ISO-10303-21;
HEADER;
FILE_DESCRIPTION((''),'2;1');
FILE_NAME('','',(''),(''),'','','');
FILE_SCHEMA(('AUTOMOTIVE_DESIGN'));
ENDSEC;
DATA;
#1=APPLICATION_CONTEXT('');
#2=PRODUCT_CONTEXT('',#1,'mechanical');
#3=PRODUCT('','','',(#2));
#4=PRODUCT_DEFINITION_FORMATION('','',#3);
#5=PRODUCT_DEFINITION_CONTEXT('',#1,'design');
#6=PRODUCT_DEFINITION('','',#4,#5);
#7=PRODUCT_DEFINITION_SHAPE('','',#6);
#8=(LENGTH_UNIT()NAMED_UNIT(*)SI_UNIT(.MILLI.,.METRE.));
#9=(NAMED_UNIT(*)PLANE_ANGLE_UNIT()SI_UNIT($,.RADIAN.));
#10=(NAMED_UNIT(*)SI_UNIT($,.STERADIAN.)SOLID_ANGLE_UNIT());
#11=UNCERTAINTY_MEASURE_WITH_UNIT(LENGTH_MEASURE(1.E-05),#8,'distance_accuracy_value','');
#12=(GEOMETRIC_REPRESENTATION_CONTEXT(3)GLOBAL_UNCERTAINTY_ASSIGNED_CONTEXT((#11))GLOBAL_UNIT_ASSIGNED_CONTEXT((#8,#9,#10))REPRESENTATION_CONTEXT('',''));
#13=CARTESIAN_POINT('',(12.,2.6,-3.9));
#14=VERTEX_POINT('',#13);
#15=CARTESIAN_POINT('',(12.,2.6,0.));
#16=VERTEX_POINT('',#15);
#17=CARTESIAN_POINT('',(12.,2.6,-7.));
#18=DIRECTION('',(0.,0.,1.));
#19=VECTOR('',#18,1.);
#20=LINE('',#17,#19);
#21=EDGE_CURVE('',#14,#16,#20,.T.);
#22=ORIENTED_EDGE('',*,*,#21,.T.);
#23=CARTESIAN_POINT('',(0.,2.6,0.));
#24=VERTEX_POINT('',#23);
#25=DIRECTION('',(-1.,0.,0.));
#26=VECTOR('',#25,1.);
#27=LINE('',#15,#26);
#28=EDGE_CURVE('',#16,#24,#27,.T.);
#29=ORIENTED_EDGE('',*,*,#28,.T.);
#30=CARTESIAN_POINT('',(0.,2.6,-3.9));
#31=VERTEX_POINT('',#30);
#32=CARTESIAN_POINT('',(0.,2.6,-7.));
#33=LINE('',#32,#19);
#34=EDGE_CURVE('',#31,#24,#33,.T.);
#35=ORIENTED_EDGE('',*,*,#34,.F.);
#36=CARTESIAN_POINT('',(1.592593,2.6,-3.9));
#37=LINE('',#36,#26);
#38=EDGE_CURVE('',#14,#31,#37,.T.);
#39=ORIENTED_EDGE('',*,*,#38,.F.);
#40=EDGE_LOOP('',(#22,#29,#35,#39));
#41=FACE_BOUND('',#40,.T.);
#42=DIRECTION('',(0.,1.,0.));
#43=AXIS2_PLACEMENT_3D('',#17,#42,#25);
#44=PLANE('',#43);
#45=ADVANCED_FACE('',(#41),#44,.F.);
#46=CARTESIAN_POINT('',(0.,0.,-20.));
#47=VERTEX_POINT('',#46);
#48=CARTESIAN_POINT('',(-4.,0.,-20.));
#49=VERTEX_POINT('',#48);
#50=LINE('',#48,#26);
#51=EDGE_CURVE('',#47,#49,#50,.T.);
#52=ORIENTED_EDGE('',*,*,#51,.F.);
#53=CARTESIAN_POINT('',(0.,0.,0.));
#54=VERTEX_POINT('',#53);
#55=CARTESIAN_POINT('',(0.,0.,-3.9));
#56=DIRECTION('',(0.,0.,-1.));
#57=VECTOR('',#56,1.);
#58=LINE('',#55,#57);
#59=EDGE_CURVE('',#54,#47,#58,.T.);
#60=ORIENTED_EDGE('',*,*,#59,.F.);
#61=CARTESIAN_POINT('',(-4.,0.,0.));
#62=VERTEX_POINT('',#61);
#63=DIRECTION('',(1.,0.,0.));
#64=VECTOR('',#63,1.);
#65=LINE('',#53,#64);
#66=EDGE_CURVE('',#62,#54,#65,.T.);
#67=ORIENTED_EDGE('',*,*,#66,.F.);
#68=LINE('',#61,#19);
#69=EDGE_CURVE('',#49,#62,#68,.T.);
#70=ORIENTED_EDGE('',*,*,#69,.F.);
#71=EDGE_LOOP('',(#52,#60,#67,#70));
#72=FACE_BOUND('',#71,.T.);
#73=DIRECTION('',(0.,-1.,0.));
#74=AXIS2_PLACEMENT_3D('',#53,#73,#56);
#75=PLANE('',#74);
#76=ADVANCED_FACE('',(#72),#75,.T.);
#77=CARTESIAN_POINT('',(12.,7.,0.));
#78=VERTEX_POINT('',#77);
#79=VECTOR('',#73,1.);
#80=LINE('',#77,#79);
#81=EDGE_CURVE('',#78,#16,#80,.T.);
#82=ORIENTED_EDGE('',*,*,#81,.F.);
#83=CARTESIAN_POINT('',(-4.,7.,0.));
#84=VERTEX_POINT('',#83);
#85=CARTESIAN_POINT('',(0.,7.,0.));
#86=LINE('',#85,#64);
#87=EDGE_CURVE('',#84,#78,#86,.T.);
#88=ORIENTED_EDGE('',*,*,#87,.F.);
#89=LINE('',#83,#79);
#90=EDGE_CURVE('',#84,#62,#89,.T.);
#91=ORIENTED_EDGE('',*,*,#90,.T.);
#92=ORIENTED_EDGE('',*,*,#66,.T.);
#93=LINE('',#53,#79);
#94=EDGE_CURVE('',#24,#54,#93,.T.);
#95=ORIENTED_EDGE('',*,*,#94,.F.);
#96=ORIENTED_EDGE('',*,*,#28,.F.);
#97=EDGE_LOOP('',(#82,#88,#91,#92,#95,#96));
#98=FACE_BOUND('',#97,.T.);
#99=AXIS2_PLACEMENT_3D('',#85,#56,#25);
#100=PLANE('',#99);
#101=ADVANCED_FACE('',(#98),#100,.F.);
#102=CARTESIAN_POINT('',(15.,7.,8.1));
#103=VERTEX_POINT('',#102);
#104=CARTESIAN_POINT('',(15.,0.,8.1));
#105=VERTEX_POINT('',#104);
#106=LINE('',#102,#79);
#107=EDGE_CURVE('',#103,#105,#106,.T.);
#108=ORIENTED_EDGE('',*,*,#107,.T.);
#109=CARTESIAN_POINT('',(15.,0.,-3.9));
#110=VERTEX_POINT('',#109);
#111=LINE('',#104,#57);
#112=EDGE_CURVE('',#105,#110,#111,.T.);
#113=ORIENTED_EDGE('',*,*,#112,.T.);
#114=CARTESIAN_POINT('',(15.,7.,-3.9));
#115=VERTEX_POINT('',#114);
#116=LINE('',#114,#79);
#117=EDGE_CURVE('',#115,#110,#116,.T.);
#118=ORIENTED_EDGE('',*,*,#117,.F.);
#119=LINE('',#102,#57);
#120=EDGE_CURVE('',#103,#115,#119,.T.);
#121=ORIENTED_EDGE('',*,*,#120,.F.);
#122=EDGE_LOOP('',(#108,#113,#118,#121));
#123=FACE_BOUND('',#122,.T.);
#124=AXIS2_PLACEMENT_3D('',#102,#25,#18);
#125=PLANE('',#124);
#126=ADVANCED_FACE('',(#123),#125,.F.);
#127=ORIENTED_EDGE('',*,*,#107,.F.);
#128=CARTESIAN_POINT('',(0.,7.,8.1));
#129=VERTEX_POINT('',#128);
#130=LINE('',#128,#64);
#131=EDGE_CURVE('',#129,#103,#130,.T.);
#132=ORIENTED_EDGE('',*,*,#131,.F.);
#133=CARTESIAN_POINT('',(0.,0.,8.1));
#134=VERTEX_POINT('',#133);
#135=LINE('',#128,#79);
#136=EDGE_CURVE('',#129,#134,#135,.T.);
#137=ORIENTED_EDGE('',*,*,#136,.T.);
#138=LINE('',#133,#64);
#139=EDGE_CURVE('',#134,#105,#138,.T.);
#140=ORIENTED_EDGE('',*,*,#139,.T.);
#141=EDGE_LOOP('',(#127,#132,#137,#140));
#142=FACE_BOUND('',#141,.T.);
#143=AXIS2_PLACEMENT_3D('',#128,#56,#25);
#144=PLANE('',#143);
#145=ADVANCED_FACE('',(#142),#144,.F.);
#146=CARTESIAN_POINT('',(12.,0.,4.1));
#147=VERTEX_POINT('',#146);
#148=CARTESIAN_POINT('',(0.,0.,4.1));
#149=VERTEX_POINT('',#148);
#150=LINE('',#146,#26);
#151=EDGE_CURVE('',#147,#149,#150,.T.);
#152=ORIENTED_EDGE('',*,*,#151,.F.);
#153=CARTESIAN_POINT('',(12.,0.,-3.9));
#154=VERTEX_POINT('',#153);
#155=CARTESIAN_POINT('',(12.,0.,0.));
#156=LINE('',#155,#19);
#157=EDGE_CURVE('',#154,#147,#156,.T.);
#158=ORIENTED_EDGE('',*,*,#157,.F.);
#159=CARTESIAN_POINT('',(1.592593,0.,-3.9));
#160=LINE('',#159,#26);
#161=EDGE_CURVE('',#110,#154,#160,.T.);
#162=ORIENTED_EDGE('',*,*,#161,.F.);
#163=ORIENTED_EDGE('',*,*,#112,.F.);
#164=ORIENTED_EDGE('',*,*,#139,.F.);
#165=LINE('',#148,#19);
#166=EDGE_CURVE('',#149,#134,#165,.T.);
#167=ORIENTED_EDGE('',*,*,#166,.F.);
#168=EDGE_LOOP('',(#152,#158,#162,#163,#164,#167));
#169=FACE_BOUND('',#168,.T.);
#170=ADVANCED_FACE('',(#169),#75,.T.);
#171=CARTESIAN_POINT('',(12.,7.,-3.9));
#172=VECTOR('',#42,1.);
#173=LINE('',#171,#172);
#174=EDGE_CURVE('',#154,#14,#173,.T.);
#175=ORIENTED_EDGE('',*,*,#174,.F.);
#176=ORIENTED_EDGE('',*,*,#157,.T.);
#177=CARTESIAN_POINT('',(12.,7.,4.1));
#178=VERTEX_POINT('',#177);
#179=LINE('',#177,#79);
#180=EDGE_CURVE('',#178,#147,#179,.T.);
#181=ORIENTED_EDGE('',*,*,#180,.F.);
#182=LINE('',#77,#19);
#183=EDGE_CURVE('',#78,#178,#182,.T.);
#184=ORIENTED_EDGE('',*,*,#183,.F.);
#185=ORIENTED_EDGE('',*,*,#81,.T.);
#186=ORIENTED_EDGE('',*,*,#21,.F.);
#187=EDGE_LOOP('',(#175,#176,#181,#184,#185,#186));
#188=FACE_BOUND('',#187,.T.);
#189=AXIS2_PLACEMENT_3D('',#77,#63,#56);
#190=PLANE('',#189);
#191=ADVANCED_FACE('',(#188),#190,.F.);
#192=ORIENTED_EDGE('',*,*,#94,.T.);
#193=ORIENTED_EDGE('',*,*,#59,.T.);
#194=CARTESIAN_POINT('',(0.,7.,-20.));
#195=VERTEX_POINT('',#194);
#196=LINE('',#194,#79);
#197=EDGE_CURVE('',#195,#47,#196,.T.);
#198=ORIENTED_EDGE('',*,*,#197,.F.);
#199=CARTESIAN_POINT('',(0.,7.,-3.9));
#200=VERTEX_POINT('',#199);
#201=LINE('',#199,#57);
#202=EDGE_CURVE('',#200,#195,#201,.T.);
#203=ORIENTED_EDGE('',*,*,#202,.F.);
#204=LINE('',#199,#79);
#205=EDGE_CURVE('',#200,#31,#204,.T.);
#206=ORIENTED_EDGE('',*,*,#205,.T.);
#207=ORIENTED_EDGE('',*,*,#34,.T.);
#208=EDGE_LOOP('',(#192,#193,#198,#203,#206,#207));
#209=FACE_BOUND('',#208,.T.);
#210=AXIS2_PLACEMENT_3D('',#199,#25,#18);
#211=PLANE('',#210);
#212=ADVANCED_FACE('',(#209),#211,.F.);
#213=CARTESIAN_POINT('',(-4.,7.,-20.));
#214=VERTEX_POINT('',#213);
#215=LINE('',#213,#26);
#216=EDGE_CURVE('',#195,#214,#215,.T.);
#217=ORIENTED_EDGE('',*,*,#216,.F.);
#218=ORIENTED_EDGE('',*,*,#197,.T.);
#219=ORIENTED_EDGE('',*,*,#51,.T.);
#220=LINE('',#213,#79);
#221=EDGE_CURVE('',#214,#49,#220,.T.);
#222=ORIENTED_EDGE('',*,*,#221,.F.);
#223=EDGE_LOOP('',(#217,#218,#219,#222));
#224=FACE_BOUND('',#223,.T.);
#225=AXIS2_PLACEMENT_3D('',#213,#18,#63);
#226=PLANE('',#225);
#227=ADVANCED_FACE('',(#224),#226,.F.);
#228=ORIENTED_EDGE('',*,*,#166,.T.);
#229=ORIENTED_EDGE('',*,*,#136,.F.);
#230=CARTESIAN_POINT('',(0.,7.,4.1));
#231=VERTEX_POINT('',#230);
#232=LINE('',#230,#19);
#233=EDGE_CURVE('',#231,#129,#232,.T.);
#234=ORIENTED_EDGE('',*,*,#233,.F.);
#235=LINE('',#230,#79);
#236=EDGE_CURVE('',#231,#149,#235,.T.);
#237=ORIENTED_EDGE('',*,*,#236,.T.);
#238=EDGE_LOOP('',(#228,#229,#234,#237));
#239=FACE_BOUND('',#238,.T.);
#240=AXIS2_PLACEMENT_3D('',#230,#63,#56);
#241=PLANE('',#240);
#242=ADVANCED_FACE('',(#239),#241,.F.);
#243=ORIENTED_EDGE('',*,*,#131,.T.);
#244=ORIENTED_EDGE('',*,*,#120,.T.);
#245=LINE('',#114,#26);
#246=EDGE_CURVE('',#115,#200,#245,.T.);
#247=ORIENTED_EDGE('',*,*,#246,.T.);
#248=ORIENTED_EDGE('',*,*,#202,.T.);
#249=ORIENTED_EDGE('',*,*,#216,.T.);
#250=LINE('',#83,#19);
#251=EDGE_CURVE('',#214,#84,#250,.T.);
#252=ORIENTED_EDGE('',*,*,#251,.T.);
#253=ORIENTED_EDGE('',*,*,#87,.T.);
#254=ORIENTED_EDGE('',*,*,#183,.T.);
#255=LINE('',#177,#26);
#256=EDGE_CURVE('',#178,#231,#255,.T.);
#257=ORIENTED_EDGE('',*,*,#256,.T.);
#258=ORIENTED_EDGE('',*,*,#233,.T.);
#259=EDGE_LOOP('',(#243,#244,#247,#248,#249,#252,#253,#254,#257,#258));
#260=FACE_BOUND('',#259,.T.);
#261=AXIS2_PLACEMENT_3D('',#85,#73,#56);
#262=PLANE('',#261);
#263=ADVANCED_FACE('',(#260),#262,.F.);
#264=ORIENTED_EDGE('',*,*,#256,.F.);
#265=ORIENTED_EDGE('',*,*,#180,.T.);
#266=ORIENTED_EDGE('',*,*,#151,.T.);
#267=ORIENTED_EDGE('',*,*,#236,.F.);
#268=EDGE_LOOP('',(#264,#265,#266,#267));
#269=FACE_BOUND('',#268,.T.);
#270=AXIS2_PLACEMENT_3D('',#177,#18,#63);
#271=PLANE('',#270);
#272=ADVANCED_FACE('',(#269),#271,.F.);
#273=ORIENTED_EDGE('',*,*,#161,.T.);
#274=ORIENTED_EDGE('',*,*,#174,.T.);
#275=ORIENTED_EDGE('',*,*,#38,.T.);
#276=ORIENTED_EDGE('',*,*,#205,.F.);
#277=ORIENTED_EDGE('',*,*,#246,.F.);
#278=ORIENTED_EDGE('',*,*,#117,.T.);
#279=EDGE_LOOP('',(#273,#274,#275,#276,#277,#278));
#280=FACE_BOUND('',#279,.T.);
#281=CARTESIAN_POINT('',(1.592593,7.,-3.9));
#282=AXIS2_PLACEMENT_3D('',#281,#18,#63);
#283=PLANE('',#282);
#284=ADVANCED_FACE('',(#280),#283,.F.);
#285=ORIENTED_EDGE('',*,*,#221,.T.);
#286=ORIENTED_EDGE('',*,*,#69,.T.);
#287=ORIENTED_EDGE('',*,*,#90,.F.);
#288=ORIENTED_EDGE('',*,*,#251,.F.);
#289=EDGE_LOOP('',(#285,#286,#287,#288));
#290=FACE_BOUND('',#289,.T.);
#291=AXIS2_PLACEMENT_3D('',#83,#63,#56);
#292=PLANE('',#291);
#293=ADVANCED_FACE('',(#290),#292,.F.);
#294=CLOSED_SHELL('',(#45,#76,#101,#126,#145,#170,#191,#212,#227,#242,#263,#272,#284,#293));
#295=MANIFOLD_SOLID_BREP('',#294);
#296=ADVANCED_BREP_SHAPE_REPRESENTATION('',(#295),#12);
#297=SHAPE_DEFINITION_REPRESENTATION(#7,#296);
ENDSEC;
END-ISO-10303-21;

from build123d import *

# Parameters (mm, degrees)
BOSS_EXTRUDE1_DEPTH = 7
SKETCH2_W           = 12
SKETCH2_H           = 2.6
CUT_EXTRUDE1_DEPTH  = 7


with BuildPart() as part:
    # Sketch1 → Boss-Extrude1 (new body)
    with BuildSketch(Plane(origin=(0, 0, 0), x_dir=(1, 0, 0), z_dir=(0, 1, 0))):
        Polygon((0, 0), (12, 0), (12, -4.1), (0, -4.1), (0, -8.1), (15, -8.1), (15, 3.9), (1.592592593, 3.9), (0, 3.9), (0, 20), (-4, 20), (-4, 0), align=None)
    extrude(amount=BOSS_EXTRUDE1_DEPTH)

    # Sketch2 → Cut-Extrude1 (cut)
    with BuildSketch(Plane.XY):
        with Locations((6, 1.3)):
            Rectangle(SKETCH2_W, SKETCH2_H)
    extrude(amount=-CUT_EXTRUDE1_DEPTH, mode=Mode.SUBTRACT)


solid = part.part
